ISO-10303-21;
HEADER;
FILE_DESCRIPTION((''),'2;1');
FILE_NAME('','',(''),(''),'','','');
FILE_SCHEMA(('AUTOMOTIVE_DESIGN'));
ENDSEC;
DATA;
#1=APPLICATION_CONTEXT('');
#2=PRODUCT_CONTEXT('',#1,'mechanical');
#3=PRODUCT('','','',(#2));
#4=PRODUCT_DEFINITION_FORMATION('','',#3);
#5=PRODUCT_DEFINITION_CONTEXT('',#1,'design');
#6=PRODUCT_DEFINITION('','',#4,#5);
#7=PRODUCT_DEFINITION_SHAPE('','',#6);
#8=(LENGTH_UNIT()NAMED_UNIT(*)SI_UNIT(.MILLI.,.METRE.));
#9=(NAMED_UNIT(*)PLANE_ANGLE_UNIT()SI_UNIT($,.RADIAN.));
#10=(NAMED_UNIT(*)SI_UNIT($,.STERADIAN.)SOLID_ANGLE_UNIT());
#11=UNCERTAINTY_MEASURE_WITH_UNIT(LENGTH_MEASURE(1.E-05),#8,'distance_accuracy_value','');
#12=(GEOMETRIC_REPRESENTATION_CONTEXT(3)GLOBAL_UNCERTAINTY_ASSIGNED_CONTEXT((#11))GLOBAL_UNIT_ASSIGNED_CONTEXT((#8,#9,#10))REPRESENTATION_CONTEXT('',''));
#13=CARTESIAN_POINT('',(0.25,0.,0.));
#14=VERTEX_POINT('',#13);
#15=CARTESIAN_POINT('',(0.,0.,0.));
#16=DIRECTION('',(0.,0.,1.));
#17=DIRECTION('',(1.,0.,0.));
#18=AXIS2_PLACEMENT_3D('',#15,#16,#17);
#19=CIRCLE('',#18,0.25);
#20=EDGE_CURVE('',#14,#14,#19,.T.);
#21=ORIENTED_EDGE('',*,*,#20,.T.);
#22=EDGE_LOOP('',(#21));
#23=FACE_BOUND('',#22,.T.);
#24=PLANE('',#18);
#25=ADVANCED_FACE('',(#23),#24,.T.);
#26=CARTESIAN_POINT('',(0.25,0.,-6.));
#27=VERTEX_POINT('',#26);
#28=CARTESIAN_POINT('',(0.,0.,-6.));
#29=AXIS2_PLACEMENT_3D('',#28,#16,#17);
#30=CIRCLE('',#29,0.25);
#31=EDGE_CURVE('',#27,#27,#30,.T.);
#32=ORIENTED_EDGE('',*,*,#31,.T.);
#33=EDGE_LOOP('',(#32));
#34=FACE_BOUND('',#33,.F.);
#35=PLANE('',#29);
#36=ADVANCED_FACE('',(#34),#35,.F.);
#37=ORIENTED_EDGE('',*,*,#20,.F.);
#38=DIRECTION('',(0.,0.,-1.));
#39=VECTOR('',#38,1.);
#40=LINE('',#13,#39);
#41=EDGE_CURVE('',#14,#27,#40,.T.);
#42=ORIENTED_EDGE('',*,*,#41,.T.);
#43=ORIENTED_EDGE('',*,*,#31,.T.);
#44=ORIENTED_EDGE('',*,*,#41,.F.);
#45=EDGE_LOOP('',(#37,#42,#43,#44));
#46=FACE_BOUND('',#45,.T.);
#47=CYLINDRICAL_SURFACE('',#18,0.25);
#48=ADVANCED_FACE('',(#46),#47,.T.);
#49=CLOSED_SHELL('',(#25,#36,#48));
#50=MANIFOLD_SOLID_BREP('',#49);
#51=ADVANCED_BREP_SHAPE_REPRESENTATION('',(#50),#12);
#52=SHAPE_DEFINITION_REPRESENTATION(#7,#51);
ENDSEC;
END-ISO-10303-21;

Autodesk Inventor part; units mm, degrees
ref_plane "YZ Plane" through (0, 0, 0) normal (1, 0, 0) x (0, 1, 0)
ref_plane "XZ Plane" through (0, 0, 0) normal (0, 1, 0) x (-1, 0, 0)
ref_plane "XY Plane" through (0, 0, 0) normal (0, 0, 1) x (1, 0, 0)
sketch "Esboço1" plane through (0, 0, 0) normal (0, 0, 1) x (1, 0, 0)
  circle A0 centre (0, 0) radius 0.25
  dimension "d0" = 0.5
extrude "Extrusão1" add sketch "Esboço1" against normal blind 6
properties material "Liga de Nickel-Copper 400"
